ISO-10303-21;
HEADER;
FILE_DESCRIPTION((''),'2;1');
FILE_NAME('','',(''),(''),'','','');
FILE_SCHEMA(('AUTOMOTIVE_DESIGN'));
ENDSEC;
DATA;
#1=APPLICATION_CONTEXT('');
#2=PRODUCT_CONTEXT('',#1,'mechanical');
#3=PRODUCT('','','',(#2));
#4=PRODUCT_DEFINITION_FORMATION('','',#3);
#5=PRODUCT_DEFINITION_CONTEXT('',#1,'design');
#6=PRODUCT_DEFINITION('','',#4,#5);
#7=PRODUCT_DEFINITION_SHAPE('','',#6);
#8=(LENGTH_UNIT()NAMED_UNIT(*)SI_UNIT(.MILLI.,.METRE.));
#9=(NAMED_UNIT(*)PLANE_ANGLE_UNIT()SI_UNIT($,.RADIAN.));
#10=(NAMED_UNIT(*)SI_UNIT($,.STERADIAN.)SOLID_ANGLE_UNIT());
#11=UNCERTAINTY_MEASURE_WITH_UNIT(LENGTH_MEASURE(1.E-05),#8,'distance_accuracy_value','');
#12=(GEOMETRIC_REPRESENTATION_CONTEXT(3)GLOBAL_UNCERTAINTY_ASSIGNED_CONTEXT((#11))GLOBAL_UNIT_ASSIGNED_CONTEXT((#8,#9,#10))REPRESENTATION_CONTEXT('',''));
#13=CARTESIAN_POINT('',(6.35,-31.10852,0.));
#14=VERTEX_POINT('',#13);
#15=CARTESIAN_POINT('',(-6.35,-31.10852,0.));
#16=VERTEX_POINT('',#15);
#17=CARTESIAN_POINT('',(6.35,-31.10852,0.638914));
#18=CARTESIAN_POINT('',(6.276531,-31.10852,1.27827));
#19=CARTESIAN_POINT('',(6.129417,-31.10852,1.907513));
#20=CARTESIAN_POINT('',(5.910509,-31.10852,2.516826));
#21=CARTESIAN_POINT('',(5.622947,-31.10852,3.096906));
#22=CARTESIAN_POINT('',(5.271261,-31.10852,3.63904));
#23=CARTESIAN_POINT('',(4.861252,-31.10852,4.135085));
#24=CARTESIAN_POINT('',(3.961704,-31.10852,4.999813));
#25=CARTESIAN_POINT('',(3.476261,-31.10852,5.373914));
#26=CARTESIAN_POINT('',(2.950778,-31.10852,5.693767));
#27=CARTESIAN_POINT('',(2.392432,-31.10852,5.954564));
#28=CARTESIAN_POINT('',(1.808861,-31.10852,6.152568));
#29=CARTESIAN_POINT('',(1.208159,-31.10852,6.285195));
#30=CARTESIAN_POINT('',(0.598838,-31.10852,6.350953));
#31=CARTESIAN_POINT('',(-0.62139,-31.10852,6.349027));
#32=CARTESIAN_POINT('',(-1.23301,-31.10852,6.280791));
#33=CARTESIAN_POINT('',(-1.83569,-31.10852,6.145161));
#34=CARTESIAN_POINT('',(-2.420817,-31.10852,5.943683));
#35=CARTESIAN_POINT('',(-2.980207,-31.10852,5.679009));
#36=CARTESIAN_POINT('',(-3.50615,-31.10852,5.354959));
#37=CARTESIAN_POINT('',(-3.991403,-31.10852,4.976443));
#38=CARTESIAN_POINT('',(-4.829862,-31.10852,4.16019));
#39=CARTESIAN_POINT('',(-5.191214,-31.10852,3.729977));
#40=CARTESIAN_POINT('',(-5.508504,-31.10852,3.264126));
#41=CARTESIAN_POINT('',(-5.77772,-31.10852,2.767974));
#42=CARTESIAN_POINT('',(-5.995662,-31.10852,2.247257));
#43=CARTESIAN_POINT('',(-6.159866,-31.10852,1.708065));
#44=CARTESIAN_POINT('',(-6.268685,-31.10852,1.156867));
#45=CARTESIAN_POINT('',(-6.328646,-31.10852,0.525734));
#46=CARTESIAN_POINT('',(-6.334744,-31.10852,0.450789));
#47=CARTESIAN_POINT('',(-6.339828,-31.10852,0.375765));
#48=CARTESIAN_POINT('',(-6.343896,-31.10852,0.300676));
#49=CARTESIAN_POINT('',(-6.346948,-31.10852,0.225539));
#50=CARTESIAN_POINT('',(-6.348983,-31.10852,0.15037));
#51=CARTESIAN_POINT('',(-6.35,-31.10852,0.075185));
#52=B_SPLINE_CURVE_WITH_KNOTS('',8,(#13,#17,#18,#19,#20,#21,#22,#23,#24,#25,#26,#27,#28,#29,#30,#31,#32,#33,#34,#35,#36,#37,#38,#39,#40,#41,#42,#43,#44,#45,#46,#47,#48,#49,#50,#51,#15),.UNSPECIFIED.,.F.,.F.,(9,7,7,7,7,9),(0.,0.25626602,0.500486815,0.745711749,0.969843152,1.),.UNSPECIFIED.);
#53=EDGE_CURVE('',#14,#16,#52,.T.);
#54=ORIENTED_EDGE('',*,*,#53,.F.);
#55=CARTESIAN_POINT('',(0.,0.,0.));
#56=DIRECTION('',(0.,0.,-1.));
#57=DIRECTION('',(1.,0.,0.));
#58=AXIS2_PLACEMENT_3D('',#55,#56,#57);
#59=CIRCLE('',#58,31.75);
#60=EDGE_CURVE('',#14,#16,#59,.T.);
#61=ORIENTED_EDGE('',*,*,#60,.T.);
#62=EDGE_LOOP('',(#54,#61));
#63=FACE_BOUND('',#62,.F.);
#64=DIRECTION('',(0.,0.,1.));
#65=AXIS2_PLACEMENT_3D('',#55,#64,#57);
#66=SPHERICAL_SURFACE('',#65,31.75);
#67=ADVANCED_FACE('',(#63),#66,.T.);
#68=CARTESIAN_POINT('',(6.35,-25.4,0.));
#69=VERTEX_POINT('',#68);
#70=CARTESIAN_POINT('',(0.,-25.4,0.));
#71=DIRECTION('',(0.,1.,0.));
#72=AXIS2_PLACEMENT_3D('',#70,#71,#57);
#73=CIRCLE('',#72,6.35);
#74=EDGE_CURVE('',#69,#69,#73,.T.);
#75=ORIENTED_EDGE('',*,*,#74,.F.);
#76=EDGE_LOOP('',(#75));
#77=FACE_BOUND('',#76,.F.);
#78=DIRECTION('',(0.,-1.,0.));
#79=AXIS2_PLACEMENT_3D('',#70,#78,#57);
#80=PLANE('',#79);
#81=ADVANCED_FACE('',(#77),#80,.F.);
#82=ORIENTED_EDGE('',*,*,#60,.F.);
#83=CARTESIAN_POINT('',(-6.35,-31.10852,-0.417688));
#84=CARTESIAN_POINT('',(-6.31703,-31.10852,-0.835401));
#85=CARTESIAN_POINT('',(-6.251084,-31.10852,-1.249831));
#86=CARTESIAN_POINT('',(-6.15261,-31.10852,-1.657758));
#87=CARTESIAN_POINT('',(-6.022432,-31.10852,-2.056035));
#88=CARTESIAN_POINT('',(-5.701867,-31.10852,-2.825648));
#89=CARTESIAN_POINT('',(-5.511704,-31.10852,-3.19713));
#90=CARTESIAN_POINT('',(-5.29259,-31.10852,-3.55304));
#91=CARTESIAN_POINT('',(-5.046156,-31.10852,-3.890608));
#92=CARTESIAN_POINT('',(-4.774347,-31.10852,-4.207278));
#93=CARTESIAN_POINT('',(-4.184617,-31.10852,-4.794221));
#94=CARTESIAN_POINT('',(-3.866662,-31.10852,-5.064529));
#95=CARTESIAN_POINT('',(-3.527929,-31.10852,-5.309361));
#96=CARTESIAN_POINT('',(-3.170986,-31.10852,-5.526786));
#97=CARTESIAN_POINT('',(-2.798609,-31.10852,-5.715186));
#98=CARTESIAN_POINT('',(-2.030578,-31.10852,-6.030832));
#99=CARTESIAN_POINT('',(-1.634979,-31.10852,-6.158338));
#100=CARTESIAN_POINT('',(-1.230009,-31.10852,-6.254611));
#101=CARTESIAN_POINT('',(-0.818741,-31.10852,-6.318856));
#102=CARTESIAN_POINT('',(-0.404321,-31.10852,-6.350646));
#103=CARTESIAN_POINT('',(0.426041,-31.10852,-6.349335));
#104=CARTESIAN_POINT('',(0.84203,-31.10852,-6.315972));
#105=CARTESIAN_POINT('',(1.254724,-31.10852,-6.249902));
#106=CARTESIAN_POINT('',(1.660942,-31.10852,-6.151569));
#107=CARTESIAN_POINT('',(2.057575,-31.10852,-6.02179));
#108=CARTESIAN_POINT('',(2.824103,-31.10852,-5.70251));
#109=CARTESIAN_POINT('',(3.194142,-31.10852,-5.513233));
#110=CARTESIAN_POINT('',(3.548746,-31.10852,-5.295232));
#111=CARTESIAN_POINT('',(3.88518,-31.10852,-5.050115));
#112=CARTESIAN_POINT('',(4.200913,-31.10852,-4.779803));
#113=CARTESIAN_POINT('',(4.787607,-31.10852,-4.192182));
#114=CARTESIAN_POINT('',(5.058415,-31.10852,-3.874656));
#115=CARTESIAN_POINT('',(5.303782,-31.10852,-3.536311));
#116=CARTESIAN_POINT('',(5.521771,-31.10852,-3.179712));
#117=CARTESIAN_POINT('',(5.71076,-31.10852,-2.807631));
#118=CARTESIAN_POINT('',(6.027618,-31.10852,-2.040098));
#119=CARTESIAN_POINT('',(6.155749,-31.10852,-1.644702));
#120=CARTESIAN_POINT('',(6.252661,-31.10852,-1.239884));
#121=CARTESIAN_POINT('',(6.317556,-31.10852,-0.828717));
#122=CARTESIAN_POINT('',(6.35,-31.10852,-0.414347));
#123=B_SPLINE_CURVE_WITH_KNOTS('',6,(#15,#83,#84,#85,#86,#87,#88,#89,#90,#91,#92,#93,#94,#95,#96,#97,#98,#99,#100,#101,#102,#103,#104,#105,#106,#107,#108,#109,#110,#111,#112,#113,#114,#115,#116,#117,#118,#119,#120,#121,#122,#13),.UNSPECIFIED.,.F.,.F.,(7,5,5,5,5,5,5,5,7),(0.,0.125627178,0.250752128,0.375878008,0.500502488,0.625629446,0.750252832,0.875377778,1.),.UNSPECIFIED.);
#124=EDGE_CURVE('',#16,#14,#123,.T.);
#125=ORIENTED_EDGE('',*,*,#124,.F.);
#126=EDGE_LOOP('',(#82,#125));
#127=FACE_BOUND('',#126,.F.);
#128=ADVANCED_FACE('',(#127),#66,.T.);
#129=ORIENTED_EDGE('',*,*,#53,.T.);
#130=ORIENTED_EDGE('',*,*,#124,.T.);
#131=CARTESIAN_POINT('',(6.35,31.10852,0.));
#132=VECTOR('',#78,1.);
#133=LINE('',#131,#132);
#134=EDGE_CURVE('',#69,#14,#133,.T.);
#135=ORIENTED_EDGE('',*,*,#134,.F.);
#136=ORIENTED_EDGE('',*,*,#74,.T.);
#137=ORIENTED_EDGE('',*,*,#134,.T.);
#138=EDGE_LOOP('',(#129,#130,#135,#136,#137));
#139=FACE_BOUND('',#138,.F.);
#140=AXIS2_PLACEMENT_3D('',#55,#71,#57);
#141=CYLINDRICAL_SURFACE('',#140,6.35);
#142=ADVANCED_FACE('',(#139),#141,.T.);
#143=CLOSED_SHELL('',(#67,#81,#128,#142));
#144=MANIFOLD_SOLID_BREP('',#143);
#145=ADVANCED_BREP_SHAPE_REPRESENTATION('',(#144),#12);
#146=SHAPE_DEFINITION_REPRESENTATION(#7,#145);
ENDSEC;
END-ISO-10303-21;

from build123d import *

# Parameters (mm, degrees)
F2_R          = 51.3419561809
F2_R_2        = 6.35
F3_DEPTH      = 31.751
F3_DEPTH_BACK = 31.751
F4_R          = 20.622673328
F5_DEPTH      = 31.751
F5_DEPTH_BACK = 25.4


with BuildPart() as f1:
    # F0 (on Front) → F1 (revolve)
    with BuildSketch(Plane.XZ):
        with BuildLine():
            ThreePointArc((0, -31.75), (22.4506403027, -22.4506403027), (31.75, 0))
            ThreePointArc((31.75, 0), (22.4506403027, 22.4506403027), (0, 31.75))
            Line((0, 31.75), (0, -31.75))
        make_face()
    revolve(axis=Axis((0, 0, 0), (0, 0, -1)))

    # F2 (on Front) → F3 (cut, two sides)
    with BuildSketch(Plane.XZ) as f3_sk:
        Circle(F2_R)
        Circle(F2_R_2, mode=Mode.SUBTRACT)
    extrude(amount=-F3_DEPTH, mode=Mode.SUBTRACT)
    extrude(f3_sk.sketch, amount=F3_DEPTH_BACK, mode=Mode.SUBTRACT)

    # F4 (on Front) → F5 (cut, two sides)
    with BuildSketch(Plane.XZ) as f5_sk:
        Circle(F4_R)
    extrude(amount=-F5_DEPTH, mode=Mode.SUBTRACT)
    extrude(f5_sk.sketch, amount=F5_DEPTH_BACK, mode=Mode.SUBTRACT)


solid = f1.part
